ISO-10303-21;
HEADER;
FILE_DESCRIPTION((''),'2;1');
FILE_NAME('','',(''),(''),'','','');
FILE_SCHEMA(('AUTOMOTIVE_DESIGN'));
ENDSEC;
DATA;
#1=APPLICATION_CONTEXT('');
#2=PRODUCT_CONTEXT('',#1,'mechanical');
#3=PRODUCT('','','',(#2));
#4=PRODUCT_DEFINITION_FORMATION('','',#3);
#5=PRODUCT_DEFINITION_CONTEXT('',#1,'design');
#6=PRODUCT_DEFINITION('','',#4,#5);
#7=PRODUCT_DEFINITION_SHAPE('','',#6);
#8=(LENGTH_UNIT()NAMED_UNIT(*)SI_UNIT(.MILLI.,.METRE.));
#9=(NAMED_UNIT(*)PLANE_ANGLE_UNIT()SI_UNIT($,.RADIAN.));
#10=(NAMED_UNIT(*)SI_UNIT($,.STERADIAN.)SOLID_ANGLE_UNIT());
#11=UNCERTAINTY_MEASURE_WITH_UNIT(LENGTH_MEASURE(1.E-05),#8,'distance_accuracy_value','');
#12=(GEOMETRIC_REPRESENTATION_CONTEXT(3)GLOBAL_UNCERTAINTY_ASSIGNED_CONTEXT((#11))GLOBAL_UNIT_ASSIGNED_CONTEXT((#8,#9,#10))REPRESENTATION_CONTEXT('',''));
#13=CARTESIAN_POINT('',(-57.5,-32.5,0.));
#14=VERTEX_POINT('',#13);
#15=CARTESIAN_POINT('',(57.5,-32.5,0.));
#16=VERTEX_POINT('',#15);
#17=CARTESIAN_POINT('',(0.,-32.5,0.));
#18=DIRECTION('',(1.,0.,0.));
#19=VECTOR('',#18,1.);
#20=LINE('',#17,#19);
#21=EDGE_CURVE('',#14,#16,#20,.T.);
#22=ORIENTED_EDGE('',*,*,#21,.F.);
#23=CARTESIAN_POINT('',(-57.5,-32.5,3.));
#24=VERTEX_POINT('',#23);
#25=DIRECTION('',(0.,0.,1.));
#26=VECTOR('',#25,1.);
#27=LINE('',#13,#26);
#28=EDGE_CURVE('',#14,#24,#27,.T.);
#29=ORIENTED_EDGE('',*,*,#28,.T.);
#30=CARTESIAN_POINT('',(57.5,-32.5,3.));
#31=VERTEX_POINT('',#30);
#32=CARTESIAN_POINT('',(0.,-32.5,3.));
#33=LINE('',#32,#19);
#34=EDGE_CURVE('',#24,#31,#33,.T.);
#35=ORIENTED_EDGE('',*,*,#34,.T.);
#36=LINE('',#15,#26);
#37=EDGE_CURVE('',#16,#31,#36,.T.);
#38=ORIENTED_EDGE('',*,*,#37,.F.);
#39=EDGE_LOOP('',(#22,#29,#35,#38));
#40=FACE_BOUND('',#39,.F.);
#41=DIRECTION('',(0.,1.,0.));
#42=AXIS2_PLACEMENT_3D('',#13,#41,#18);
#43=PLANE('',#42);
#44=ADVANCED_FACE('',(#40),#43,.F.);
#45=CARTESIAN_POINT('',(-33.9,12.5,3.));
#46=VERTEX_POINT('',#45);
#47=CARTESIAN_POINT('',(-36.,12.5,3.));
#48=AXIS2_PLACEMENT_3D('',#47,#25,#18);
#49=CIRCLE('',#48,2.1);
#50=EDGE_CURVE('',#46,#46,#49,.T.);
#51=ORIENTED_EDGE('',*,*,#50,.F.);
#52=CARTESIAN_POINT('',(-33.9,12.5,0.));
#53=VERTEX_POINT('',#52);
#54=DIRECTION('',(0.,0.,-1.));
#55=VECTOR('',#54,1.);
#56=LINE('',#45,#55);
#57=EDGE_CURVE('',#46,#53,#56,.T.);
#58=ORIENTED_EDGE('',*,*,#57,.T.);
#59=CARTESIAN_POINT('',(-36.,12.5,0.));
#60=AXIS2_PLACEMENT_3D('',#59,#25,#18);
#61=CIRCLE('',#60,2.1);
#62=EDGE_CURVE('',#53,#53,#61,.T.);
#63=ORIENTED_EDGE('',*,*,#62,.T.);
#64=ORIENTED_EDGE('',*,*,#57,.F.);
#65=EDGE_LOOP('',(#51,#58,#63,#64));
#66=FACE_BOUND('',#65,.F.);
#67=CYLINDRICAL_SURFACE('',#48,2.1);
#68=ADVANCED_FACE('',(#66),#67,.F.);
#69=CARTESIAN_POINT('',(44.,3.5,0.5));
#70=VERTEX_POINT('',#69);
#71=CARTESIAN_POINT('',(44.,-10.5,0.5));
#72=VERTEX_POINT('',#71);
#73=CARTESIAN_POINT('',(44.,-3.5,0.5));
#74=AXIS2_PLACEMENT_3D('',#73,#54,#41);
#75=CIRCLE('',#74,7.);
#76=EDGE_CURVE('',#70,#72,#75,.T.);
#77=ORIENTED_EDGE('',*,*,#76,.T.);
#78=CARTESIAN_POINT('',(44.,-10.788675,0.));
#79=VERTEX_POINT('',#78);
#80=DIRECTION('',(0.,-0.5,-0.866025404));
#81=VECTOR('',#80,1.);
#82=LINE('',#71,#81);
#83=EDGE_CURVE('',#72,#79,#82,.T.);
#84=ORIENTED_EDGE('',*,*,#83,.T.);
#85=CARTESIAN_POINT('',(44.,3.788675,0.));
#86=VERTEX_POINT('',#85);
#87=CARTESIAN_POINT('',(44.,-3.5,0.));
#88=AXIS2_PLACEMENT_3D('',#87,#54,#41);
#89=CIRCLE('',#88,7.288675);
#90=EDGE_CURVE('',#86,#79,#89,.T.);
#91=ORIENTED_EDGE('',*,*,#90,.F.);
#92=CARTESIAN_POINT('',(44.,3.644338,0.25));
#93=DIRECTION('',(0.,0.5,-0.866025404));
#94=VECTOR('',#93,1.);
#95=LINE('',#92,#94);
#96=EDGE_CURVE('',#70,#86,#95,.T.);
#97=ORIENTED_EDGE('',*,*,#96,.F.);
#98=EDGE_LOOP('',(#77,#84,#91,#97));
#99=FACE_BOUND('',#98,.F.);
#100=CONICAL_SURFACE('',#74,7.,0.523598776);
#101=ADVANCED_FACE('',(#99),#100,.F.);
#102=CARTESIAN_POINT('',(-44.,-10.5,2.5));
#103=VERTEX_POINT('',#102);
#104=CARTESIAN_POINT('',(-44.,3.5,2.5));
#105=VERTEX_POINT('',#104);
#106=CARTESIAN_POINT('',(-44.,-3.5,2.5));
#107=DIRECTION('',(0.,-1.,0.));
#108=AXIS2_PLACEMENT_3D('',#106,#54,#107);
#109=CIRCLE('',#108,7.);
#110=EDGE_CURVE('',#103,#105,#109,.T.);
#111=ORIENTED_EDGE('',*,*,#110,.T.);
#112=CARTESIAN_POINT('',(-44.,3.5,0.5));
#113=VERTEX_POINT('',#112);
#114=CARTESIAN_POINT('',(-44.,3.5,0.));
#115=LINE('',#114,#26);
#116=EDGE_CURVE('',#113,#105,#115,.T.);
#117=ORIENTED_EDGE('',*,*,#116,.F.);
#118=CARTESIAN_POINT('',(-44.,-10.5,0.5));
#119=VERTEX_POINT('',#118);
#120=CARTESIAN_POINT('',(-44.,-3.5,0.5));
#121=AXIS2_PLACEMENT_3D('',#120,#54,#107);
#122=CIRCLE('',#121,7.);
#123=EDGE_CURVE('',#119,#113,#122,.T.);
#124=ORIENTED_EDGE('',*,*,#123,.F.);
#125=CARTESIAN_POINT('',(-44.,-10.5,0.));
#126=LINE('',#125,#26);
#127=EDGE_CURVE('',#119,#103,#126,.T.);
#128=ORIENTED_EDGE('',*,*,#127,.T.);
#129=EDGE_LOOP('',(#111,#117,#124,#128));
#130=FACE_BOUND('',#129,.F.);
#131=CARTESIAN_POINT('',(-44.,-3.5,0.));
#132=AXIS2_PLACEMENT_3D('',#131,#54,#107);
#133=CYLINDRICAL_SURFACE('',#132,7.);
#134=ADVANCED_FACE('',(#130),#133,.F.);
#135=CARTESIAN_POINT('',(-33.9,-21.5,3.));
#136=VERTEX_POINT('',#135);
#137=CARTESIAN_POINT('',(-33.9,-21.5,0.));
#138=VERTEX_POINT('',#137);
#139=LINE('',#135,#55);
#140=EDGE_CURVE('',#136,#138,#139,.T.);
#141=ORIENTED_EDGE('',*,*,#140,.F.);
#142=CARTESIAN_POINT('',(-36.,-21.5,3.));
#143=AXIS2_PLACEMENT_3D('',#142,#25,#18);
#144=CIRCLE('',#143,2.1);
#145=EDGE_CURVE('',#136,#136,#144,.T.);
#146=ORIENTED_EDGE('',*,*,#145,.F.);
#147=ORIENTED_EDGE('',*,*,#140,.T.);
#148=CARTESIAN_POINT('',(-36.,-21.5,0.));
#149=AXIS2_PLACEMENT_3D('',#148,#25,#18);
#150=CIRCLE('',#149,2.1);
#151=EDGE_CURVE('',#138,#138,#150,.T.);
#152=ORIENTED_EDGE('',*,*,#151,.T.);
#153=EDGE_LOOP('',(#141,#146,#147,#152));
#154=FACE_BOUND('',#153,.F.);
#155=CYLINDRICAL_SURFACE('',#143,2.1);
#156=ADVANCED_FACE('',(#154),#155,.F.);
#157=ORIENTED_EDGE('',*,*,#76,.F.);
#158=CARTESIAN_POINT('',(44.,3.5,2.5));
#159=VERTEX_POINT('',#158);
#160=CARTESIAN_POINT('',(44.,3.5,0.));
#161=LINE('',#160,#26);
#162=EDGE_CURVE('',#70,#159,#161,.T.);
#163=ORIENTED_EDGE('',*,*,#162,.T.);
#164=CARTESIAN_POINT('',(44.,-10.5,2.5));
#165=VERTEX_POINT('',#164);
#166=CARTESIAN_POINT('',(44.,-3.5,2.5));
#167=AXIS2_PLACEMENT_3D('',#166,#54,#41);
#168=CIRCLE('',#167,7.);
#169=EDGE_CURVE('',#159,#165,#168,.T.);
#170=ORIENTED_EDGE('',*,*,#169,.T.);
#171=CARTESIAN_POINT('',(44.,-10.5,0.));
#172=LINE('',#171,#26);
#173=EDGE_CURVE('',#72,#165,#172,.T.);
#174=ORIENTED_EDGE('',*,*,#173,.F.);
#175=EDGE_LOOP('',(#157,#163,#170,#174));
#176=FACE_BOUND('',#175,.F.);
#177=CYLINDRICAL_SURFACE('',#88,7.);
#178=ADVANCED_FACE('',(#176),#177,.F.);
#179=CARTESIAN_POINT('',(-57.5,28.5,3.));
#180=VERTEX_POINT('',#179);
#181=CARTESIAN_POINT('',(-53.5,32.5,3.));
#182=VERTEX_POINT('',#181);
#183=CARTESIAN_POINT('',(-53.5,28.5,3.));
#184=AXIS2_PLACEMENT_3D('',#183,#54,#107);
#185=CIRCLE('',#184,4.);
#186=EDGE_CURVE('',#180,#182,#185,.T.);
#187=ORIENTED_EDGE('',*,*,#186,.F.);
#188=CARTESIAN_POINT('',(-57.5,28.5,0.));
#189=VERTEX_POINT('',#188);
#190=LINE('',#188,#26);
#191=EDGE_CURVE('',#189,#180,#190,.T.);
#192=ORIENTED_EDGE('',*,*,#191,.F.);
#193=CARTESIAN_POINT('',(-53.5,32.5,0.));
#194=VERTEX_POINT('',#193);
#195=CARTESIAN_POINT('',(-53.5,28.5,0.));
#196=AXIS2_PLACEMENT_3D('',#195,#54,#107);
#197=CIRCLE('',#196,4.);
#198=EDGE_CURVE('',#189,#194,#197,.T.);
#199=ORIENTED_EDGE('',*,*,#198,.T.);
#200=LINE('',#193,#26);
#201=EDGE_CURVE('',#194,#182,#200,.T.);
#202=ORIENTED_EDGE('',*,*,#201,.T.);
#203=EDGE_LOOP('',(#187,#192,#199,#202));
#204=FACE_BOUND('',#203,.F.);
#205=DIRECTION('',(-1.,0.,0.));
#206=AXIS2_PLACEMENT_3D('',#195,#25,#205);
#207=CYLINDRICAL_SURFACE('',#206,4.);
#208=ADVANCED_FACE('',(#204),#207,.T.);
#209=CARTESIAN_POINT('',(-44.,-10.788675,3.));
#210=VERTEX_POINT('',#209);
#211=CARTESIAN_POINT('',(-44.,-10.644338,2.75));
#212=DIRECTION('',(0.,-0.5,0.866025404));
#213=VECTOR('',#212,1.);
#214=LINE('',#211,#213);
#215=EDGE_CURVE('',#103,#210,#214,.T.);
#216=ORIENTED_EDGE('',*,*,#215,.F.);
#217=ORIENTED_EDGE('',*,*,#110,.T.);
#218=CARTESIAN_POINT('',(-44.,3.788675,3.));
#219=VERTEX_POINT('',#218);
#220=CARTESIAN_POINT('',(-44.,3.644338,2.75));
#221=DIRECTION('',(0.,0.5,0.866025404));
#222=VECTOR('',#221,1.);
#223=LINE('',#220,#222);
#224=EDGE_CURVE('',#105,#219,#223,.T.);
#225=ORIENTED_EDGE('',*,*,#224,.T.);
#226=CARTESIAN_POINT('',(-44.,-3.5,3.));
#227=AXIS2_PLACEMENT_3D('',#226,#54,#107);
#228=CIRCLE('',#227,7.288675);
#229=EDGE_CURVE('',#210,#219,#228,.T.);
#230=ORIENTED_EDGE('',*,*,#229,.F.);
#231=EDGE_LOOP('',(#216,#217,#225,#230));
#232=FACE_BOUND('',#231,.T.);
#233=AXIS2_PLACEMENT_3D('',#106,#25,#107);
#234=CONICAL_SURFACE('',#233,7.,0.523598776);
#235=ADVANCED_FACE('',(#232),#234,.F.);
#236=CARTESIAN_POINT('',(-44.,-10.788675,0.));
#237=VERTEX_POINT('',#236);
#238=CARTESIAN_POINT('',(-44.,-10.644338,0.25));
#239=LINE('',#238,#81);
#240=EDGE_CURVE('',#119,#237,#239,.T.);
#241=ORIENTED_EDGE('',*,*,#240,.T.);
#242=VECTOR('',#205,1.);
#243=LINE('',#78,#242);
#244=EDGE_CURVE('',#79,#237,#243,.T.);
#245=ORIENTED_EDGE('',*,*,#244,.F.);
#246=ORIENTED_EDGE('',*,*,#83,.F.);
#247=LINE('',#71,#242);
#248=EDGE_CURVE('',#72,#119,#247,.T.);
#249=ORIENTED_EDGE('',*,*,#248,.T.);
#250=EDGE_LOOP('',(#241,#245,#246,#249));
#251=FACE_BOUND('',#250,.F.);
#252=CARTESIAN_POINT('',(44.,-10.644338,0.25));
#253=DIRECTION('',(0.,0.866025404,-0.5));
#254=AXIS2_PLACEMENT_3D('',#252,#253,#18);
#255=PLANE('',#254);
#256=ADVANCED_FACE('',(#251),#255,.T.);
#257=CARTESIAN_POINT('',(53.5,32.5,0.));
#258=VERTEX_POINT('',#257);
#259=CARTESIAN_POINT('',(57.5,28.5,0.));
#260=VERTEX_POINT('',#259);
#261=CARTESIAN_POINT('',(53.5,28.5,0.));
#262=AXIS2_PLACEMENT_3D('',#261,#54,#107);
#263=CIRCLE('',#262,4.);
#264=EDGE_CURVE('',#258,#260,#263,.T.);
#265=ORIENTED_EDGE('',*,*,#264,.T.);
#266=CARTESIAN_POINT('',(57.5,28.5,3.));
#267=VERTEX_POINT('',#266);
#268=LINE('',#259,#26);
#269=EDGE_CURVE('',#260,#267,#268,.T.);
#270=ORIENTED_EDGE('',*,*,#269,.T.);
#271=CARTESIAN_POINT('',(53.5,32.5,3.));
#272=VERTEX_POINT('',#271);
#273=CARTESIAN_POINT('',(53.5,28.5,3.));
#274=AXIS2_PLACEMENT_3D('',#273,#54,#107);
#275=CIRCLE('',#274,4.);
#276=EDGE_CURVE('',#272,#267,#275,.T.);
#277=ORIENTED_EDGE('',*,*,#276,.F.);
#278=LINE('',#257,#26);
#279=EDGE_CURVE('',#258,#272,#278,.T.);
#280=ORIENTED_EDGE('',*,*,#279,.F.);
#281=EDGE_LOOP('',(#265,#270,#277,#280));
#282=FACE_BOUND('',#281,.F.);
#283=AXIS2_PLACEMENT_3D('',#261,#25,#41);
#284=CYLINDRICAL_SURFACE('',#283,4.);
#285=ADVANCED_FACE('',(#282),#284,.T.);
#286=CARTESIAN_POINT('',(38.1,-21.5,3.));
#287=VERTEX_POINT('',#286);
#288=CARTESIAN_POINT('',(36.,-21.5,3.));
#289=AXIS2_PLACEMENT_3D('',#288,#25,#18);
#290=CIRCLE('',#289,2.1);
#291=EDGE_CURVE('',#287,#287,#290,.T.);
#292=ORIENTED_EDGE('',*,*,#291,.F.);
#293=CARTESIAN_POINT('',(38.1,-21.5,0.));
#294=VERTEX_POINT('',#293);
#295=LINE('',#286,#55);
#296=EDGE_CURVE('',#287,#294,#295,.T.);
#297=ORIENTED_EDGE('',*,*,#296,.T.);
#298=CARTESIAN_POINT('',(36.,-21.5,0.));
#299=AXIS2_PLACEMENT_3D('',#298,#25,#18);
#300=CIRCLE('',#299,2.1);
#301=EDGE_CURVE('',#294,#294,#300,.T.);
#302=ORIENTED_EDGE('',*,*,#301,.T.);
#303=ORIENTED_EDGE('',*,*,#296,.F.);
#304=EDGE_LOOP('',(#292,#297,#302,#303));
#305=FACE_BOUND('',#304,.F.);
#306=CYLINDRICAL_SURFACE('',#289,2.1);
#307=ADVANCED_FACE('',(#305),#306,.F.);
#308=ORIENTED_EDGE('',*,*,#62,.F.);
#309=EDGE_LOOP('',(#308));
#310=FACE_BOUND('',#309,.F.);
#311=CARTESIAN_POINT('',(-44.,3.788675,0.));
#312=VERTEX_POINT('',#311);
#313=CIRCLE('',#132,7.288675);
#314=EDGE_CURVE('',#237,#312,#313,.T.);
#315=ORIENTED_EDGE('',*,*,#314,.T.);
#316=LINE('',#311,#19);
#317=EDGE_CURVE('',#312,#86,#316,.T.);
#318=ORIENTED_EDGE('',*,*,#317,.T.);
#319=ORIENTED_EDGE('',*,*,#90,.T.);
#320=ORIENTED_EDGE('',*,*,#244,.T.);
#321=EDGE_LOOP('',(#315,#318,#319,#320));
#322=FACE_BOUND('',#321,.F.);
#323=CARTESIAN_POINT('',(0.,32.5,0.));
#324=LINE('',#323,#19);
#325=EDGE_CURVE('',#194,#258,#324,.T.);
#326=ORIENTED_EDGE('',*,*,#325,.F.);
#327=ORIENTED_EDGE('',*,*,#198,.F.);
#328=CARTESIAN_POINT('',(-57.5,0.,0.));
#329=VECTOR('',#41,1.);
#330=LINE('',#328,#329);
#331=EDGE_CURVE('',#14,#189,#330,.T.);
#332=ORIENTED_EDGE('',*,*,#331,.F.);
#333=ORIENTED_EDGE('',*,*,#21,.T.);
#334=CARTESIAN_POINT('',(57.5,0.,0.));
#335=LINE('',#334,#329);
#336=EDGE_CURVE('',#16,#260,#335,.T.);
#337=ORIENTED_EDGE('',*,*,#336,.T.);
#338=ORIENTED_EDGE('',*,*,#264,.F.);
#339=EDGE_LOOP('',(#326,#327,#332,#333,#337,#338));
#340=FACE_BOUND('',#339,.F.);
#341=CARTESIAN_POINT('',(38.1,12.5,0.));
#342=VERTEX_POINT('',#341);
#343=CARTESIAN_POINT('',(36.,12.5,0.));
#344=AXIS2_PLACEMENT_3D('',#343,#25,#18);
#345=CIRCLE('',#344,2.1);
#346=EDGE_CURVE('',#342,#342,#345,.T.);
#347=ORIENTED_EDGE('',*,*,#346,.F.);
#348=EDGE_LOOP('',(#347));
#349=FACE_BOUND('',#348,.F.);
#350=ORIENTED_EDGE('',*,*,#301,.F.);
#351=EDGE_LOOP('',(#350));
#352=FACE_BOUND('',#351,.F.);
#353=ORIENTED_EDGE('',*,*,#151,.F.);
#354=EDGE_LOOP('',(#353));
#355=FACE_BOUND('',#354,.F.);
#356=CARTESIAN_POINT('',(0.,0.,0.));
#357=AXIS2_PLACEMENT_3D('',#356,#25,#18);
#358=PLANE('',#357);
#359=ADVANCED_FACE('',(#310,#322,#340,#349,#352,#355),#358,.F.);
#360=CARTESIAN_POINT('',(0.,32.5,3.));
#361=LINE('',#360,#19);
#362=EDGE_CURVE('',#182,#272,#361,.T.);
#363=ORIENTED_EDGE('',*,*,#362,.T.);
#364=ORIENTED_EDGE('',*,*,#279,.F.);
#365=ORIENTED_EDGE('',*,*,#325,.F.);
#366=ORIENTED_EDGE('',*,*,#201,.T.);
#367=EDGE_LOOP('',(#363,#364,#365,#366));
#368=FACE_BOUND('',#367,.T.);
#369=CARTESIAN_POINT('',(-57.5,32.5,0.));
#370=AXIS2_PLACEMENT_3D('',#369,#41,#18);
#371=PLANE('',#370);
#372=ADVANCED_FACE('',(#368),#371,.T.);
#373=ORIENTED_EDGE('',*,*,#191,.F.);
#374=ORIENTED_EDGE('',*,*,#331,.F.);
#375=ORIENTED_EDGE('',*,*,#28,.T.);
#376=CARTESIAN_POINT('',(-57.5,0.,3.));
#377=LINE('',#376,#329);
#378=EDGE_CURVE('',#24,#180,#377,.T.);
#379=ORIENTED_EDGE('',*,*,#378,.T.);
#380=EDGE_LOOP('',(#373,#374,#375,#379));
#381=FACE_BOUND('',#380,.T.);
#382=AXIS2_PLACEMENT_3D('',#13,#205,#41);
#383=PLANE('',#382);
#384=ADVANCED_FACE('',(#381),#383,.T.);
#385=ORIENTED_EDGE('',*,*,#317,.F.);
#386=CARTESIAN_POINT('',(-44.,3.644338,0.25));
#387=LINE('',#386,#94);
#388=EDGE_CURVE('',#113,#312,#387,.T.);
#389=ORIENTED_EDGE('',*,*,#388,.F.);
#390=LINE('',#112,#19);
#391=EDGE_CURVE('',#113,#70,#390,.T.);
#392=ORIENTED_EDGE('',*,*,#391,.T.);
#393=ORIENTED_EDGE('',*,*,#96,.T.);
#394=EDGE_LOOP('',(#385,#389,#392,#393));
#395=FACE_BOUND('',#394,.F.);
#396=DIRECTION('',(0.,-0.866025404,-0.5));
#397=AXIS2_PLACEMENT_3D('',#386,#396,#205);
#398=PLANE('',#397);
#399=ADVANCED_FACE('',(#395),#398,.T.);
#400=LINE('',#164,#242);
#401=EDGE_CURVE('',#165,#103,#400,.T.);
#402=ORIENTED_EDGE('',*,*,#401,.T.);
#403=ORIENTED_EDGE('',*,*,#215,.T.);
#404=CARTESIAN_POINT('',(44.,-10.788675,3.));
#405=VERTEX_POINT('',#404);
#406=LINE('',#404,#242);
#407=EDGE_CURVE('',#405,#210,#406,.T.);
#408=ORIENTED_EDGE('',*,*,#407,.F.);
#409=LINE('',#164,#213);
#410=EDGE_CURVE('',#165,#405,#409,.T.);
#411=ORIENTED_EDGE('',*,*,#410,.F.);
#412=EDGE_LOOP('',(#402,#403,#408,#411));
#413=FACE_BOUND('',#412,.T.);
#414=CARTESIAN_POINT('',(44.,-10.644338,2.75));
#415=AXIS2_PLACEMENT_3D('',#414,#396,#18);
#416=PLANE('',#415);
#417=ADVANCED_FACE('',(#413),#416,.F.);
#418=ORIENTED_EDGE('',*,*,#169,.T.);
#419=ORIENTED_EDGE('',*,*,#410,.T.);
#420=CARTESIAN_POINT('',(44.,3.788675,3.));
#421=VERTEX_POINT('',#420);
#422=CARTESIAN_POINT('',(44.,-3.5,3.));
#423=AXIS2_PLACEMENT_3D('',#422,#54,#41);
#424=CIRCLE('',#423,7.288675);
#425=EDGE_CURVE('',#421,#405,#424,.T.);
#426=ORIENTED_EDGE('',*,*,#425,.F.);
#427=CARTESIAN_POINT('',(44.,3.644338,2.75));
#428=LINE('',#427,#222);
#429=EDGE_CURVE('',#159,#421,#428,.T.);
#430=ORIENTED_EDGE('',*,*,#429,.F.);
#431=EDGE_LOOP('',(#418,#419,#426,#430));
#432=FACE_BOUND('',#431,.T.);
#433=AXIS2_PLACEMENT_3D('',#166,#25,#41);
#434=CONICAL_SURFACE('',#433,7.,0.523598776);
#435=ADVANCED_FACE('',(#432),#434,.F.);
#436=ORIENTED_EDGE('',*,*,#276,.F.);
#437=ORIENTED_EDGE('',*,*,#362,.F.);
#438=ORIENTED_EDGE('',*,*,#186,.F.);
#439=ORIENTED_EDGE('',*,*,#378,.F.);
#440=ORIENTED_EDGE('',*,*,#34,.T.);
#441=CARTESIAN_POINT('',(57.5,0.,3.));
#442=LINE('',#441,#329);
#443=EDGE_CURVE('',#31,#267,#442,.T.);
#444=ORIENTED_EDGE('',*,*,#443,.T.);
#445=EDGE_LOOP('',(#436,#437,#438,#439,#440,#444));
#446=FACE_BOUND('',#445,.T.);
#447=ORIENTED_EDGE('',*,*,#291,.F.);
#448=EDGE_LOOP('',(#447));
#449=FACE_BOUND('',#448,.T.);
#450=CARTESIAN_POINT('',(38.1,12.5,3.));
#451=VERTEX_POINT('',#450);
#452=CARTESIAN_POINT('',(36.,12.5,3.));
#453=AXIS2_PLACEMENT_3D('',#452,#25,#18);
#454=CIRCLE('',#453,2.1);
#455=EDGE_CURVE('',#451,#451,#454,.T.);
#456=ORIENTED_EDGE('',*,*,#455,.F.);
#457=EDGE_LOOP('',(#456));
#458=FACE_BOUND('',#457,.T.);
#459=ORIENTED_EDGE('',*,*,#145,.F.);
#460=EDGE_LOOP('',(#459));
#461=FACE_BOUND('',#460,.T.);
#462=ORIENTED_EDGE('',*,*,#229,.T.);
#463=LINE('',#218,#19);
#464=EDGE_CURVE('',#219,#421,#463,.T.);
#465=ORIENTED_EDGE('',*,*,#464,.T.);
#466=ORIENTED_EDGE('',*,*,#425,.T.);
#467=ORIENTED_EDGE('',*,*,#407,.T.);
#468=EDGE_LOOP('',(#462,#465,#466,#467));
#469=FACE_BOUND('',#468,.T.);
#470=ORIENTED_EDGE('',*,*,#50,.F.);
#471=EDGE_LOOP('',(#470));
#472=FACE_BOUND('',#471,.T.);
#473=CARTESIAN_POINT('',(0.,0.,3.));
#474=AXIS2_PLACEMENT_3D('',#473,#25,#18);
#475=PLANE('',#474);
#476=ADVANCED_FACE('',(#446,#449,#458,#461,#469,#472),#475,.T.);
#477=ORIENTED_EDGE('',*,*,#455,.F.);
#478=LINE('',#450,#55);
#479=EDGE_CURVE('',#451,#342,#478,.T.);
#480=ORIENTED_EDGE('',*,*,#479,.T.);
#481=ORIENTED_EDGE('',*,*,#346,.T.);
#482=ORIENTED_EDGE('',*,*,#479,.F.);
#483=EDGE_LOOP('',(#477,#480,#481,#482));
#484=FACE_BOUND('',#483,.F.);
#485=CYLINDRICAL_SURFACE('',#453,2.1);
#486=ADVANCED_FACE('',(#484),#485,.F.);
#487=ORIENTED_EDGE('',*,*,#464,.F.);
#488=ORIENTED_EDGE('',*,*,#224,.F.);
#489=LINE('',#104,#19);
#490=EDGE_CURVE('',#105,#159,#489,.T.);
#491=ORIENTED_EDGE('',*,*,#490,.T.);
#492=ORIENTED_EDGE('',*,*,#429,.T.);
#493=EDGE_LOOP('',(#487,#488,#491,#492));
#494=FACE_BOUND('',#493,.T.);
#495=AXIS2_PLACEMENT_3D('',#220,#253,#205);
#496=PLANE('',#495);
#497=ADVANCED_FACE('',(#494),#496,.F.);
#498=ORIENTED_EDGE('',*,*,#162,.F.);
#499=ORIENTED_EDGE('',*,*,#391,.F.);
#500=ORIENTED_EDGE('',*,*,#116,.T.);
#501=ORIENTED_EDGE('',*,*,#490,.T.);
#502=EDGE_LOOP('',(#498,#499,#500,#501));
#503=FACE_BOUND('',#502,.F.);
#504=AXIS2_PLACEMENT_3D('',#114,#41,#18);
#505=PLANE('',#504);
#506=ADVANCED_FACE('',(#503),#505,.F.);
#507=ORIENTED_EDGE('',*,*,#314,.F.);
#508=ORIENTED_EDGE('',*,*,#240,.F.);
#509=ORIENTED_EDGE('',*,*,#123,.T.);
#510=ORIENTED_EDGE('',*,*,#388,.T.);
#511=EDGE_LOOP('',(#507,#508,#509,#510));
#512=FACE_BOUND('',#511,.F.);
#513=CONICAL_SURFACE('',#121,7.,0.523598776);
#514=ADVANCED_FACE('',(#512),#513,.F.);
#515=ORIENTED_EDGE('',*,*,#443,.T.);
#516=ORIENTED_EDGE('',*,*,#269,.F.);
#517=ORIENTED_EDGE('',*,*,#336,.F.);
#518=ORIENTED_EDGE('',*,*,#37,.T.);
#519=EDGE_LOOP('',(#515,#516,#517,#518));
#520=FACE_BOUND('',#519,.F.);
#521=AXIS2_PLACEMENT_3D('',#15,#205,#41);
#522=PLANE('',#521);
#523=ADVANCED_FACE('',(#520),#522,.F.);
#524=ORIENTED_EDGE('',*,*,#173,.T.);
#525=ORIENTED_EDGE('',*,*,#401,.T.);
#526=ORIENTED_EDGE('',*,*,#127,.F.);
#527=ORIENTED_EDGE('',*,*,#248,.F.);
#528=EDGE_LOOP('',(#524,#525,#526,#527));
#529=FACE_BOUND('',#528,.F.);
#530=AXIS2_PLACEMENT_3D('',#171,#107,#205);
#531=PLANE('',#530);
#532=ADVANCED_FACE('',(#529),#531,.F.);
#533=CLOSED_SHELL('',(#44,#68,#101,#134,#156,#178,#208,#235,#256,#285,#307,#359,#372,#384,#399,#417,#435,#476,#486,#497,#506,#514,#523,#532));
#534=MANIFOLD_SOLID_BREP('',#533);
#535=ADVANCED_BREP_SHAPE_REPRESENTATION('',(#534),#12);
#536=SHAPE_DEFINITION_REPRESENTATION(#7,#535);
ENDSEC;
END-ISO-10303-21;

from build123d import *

# Parameters (mm, degrees)
F0_W     = 115
F0_H     = 65
F1_DEPTH = 3
F2_R     = 2.1
F3_DEPTH = 25
F4_R     = 4
F5_SIZE2 = 0.2886751346
F5_SIZE  = 0.5


with BuildPart() as f1:
    # F0 (on Top) → F1 (new body)
    with BuildSketch(Plane.XY):
        Rectangle(F0_W, F0_H)
        with BuildLine():
            Line((44, -10.5), (-44, -10.5))
            ThreePointArc((-44, -10.5), (-51, -3.5), (-44, 3.5))
            Line((-44, 3.5), (44, 3.5))
            ThreePointArc((44, 3.5), (51, -3.5), (44, -10.5))
        make_face(mode=Mode.SUBTRACT)
    extrude(amount=F1_DEPTH)

    # F2 (on face) → F3 (cut)
    with BuildSketch(Plane.XY.offset(3)):
        with Locations((-36, -21.5)):
            Circle(F2_R)
        with Locations((36, -21.5)):
            Circle(F2_R)
        with Locations((36, 12.5)):
            Circle(F2_R)
        with Locations((-36, 12.5)):
            Circle(F2_R)
    extrude(amount=-F3_DEPTH, mode=Mode.SUBTRACT)

    # F4
    f4_edges = [f1.edges().sort_by_distance(p)[0] for p in [
        (57.5, 32.5, 1.5),
        (-57.5, 32.5, 1.5),
    ]]
    fillet(f4_edges, radius=F4_R)

    # F5
    f5_edges = [f1.edges().sort_by_distance(p)[0] for p in [
        (0, 3.5, 3),
        (0, 3.5, 0),
    ]]
    f5_side = f1.faces().sort_by_distance((0, 3.5, 1.5))[0]
    chamfer(f5_edges, length=F5_SIZE, length2=F5_SIZE2, reference=f5_side)


solid = f1.part
